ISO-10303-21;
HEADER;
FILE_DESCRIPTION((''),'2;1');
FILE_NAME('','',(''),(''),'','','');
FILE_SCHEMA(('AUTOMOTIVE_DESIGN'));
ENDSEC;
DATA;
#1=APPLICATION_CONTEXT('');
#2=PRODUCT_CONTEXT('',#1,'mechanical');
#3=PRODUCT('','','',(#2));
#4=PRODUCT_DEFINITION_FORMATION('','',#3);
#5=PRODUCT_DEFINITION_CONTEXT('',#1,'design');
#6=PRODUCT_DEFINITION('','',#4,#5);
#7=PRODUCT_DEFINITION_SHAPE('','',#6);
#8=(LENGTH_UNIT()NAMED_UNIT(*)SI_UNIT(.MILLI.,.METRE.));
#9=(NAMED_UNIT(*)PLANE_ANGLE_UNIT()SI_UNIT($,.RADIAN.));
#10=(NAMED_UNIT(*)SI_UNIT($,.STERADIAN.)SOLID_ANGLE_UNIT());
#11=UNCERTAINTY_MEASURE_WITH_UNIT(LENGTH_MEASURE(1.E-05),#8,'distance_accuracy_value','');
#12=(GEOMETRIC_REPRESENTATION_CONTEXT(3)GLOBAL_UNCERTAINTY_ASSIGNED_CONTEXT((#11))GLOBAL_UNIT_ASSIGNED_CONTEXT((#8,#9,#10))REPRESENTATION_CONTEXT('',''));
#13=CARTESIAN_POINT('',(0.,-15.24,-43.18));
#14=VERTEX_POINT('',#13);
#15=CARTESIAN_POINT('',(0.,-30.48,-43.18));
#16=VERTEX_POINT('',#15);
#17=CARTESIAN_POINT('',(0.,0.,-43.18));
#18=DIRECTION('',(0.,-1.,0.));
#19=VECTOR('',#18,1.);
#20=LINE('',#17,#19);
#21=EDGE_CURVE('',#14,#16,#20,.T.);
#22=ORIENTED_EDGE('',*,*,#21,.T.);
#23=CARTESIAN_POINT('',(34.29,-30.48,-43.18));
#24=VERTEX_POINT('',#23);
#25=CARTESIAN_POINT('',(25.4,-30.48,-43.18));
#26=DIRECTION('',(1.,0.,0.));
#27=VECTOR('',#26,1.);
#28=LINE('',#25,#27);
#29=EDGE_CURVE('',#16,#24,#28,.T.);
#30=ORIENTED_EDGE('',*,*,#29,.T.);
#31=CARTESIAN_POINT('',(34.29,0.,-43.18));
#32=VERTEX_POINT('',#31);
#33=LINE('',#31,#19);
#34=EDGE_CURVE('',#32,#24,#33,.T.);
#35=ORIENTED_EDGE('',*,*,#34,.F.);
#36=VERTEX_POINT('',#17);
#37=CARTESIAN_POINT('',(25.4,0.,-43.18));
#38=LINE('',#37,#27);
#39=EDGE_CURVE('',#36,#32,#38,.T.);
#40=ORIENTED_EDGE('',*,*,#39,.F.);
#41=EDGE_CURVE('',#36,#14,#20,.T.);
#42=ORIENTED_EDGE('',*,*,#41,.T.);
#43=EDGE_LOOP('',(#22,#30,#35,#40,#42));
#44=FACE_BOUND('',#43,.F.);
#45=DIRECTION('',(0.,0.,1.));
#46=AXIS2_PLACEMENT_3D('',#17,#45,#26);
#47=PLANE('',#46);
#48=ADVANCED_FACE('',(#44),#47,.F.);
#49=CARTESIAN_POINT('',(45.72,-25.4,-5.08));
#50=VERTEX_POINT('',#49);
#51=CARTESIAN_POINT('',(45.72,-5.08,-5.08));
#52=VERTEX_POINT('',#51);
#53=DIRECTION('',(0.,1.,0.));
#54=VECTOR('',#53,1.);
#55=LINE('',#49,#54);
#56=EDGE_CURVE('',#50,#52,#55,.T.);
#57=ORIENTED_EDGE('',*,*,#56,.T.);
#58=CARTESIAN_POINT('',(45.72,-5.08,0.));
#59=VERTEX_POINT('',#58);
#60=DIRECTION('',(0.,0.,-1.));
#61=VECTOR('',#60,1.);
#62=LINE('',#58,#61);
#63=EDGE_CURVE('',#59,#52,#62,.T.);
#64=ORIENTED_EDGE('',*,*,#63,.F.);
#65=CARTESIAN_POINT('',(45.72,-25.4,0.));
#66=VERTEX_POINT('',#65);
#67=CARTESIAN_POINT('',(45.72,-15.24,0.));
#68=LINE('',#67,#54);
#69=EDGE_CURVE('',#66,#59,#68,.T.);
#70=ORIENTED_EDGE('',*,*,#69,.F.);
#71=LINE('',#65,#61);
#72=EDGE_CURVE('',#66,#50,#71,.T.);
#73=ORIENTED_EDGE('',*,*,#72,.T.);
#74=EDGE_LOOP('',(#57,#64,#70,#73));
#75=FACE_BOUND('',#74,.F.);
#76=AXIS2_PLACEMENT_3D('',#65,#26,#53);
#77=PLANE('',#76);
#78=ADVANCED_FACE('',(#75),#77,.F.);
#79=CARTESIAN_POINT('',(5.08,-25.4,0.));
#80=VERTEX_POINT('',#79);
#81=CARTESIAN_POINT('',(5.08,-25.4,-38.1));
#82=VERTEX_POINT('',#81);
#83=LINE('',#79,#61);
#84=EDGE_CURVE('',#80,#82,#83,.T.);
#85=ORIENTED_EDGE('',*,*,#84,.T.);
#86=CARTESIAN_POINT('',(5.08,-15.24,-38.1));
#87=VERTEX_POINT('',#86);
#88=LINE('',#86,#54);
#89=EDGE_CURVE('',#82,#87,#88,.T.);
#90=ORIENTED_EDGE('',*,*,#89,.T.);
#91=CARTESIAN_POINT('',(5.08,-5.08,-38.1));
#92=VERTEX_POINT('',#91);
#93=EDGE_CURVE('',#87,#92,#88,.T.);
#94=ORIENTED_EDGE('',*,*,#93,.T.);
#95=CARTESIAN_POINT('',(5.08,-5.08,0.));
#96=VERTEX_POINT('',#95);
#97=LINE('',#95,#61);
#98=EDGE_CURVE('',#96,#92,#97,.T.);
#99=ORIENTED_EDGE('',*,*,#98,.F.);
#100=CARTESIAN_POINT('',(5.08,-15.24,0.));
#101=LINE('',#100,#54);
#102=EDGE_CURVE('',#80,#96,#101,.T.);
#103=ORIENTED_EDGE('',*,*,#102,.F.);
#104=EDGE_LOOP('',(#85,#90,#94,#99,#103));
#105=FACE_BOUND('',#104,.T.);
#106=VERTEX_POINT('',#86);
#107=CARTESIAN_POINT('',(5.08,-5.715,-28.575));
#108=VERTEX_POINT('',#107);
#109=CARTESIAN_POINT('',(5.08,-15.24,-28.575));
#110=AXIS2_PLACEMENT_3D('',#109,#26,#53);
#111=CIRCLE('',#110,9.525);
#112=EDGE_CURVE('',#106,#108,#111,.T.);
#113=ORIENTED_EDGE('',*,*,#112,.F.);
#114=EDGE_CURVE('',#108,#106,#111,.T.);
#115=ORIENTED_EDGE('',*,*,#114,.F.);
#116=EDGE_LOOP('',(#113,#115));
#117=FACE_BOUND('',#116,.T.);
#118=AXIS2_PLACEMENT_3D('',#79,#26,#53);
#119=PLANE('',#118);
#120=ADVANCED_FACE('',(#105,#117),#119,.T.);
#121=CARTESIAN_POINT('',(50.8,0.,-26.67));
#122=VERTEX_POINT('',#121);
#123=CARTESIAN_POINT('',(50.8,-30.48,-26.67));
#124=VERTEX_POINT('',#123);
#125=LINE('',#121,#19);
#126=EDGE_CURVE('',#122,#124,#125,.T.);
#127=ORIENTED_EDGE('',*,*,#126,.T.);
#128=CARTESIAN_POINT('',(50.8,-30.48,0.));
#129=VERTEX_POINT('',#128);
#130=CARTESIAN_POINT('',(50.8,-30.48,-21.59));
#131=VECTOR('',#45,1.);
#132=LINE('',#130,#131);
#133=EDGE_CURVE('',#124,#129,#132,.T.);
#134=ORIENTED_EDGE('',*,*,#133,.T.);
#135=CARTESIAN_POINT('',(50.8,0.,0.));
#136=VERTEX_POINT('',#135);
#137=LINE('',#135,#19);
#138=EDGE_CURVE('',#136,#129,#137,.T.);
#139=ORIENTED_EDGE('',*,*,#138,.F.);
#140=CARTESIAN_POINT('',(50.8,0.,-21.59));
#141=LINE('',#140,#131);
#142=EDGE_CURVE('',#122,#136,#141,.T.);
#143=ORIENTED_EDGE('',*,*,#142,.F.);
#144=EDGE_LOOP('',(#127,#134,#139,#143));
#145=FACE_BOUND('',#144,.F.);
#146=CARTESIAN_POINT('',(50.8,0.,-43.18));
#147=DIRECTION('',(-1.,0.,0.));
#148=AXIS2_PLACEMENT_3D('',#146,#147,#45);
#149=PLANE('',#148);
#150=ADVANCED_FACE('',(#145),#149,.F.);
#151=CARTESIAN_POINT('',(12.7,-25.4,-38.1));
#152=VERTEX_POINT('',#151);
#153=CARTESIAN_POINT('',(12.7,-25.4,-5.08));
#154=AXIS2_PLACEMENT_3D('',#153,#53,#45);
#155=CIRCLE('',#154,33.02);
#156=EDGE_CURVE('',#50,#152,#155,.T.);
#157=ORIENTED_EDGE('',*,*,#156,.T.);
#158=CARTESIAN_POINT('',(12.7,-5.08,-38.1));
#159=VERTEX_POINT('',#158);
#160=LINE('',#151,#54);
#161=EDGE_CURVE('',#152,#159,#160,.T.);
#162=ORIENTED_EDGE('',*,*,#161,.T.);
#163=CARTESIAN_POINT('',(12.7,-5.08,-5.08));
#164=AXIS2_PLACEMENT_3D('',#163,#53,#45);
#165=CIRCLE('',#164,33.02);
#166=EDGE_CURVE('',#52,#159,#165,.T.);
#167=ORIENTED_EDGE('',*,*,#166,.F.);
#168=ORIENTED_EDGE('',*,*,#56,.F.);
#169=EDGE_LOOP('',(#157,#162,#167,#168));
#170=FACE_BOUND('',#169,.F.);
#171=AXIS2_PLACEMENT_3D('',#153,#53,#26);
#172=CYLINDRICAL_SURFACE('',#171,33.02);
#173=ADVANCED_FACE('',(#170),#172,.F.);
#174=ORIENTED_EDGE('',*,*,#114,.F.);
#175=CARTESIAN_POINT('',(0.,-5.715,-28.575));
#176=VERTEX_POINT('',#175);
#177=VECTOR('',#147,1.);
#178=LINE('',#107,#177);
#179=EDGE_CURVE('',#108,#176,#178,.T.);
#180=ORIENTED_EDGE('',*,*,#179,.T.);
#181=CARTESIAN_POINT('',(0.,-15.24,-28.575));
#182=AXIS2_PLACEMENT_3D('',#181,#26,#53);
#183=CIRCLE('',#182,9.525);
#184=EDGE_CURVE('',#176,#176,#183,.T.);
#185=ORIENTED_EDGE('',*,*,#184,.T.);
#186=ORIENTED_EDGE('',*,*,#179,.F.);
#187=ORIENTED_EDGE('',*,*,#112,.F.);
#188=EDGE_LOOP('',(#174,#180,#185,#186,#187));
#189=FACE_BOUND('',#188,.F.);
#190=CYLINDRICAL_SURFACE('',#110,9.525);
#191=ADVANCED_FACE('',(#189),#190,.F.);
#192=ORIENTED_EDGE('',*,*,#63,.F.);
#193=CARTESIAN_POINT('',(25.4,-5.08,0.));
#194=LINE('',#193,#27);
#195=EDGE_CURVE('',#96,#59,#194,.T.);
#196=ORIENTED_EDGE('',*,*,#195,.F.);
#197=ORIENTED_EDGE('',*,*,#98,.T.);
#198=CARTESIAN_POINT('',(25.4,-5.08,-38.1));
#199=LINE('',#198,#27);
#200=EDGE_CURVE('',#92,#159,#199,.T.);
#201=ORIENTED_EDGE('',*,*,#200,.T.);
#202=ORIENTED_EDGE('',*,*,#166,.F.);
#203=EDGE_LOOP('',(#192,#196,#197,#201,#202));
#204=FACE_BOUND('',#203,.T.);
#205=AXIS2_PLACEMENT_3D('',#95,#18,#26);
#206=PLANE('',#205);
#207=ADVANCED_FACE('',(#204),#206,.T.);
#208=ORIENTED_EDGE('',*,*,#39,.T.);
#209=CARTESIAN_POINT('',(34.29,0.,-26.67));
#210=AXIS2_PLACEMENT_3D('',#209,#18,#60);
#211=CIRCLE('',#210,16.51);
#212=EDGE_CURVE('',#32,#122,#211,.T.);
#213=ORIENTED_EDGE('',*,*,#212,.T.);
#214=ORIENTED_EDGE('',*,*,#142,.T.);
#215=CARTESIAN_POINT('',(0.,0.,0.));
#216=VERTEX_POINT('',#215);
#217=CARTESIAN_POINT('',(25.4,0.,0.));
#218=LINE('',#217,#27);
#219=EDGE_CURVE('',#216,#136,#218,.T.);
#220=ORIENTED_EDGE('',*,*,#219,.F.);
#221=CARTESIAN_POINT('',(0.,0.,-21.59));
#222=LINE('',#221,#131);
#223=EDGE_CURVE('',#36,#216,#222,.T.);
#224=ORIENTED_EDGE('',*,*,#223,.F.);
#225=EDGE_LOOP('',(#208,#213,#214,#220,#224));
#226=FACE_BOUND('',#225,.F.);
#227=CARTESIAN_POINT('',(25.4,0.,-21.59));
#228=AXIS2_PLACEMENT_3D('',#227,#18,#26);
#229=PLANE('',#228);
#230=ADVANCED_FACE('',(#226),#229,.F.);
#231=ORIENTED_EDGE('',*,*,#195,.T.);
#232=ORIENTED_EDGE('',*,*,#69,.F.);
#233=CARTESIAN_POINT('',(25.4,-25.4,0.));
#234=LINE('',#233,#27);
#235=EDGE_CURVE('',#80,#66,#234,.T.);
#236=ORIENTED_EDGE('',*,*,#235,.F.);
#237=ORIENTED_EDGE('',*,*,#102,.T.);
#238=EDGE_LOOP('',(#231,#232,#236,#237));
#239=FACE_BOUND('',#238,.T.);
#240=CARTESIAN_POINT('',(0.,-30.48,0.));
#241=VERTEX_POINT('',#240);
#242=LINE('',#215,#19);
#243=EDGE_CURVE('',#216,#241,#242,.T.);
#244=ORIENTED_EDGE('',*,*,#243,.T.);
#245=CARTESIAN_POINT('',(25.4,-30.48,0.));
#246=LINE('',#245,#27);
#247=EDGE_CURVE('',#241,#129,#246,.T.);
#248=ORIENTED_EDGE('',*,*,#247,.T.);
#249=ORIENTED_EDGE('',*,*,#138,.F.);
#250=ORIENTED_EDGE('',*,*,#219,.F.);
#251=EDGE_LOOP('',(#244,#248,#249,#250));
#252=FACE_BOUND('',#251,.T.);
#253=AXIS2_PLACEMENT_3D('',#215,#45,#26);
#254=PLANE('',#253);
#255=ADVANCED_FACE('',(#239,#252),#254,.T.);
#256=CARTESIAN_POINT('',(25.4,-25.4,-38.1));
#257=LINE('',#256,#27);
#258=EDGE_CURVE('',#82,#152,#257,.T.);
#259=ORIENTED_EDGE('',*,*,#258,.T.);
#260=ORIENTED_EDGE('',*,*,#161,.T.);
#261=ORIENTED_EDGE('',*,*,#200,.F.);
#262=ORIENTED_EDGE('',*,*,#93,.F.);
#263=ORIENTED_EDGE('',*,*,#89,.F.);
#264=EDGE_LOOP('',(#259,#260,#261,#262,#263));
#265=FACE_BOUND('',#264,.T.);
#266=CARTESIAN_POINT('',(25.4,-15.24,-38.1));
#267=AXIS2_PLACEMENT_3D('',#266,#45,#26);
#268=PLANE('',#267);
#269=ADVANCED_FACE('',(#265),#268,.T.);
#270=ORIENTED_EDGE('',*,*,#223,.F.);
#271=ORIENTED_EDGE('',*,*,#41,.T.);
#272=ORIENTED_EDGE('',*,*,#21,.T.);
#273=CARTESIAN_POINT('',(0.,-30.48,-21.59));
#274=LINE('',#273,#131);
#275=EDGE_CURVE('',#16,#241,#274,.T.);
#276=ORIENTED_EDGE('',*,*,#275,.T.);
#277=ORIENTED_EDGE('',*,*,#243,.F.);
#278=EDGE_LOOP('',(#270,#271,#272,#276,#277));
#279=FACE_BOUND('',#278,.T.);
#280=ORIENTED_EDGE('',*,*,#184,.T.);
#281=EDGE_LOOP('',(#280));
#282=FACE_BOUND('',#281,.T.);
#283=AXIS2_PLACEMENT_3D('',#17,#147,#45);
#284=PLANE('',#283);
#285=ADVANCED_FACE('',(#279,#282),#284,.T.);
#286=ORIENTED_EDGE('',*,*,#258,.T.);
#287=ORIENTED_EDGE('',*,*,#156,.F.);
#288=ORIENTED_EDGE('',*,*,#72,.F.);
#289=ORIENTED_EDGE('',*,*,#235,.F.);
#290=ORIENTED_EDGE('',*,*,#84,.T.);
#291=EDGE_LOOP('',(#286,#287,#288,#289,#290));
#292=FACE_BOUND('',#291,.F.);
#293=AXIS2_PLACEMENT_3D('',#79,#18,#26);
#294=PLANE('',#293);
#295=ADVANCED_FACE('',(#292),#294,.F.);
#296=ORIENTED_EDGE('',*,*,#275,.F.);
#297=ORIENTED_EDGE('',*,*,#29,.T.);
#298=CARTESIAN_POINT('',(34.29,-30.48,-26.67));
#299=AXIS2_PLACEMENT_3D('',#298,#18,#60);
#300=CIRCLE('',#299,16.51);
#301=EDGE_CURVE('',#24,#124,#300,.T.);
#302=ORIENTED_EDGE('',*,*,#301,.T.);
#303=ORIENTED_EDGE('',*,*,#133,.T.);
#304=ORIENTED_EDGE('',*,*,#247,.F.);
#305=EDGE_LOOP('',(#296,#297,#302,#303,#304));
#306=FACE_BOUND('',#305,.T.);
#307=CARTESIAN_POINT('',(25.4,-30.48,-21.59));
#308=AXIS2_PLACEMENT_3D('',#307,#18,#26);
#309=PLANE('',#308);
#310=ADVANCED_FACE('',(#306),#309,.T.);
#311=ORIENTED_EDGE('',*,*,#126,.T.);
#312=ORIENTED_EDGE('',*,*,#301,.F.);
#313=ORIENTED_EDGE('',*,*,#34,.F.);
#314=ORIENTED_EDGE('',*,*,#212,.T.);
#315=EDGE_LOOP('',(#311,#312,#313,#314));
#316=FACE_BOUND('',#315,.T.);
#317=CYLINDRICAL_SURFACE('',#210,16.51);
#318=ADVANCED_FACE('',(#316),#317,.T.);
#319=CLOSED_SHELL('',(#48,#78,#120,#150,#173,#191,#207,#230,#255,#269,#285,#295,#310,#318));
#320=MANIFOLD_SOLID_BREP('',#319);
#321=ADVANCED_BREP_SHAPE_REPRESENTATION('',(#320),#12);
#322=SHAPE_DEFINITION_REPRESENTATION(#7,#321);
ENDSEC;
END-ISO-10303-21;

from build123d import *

# Parameters (mm, degrees)
F0_W     = 50.8
F0_H     = 43.18
F1_DEPTH = 30.48
F2_R     = 16.51
F3_W     = 40.64
F3_H     = 20.32
F4_DEPTH = 38.1
F6_DEPTH = 2.54
F7_R     = 33.02
F8_R     = 9.525
F9_DEPTH = 25.4


with BuildPart() as f1:
    # F0 (on Front) → F1 (new body)
    with BuildSketch(Plane.XZ):
        with Locations((25.4, -21.59)):
            Rectangle(F0_W, F0_H)
    extrude(amount=F1_DEPTH)

    # F2
    f2_edges = [f1.edges().sort_by_distance(p)[0] for p in [
        (50.8, -15.24, -43.18),
    ]]
    fillet(f2_edges, radius=F2_R)

    # F3 (on face) → F4 (cut)
    with BuildSketch(Plane.XY):
        with Locations((25.4, -15.24)):
            Rectangle(F3_W, F3_H)
    extrude(amount=-F4_DEPTH, mode=Mode.SUBTRACT)

    # F5 (on face) → F6 (join)
    with BuildSketch(Plane(origin=(0, 0, 0), x_dir=(0, -1, 0), z_dir=(-1, 0, 0))):
        with BuildLine():
            ThreePointArc((15.24, -43.18), (21.975192, -40.390192), (24.765, -33.655))
            ThreePointArc((24.765, -33.655), (8.504808, -26.919808), (15.24, -43.18))
        make_face()
    extrude(amount=-F6_DEPTH)

    # F7
    f7_edges = [f1.edges().sort_by_distance(p)[0] for p in [
        (45.72, -15.24, -38.1),
    ]]
    fillet(f7_edges, radius=F7_R)

    # F8 (on face) → F9 (cut)
    with BuildSketch(Plane.YZ.offset(5.08)):
        with Locations((-15.24, -28.575)):
            Circle(F8_R)
    extrude(amount=-F9_DEPTH, mode=Mode.SUBTRACT)


solid = f1.part
